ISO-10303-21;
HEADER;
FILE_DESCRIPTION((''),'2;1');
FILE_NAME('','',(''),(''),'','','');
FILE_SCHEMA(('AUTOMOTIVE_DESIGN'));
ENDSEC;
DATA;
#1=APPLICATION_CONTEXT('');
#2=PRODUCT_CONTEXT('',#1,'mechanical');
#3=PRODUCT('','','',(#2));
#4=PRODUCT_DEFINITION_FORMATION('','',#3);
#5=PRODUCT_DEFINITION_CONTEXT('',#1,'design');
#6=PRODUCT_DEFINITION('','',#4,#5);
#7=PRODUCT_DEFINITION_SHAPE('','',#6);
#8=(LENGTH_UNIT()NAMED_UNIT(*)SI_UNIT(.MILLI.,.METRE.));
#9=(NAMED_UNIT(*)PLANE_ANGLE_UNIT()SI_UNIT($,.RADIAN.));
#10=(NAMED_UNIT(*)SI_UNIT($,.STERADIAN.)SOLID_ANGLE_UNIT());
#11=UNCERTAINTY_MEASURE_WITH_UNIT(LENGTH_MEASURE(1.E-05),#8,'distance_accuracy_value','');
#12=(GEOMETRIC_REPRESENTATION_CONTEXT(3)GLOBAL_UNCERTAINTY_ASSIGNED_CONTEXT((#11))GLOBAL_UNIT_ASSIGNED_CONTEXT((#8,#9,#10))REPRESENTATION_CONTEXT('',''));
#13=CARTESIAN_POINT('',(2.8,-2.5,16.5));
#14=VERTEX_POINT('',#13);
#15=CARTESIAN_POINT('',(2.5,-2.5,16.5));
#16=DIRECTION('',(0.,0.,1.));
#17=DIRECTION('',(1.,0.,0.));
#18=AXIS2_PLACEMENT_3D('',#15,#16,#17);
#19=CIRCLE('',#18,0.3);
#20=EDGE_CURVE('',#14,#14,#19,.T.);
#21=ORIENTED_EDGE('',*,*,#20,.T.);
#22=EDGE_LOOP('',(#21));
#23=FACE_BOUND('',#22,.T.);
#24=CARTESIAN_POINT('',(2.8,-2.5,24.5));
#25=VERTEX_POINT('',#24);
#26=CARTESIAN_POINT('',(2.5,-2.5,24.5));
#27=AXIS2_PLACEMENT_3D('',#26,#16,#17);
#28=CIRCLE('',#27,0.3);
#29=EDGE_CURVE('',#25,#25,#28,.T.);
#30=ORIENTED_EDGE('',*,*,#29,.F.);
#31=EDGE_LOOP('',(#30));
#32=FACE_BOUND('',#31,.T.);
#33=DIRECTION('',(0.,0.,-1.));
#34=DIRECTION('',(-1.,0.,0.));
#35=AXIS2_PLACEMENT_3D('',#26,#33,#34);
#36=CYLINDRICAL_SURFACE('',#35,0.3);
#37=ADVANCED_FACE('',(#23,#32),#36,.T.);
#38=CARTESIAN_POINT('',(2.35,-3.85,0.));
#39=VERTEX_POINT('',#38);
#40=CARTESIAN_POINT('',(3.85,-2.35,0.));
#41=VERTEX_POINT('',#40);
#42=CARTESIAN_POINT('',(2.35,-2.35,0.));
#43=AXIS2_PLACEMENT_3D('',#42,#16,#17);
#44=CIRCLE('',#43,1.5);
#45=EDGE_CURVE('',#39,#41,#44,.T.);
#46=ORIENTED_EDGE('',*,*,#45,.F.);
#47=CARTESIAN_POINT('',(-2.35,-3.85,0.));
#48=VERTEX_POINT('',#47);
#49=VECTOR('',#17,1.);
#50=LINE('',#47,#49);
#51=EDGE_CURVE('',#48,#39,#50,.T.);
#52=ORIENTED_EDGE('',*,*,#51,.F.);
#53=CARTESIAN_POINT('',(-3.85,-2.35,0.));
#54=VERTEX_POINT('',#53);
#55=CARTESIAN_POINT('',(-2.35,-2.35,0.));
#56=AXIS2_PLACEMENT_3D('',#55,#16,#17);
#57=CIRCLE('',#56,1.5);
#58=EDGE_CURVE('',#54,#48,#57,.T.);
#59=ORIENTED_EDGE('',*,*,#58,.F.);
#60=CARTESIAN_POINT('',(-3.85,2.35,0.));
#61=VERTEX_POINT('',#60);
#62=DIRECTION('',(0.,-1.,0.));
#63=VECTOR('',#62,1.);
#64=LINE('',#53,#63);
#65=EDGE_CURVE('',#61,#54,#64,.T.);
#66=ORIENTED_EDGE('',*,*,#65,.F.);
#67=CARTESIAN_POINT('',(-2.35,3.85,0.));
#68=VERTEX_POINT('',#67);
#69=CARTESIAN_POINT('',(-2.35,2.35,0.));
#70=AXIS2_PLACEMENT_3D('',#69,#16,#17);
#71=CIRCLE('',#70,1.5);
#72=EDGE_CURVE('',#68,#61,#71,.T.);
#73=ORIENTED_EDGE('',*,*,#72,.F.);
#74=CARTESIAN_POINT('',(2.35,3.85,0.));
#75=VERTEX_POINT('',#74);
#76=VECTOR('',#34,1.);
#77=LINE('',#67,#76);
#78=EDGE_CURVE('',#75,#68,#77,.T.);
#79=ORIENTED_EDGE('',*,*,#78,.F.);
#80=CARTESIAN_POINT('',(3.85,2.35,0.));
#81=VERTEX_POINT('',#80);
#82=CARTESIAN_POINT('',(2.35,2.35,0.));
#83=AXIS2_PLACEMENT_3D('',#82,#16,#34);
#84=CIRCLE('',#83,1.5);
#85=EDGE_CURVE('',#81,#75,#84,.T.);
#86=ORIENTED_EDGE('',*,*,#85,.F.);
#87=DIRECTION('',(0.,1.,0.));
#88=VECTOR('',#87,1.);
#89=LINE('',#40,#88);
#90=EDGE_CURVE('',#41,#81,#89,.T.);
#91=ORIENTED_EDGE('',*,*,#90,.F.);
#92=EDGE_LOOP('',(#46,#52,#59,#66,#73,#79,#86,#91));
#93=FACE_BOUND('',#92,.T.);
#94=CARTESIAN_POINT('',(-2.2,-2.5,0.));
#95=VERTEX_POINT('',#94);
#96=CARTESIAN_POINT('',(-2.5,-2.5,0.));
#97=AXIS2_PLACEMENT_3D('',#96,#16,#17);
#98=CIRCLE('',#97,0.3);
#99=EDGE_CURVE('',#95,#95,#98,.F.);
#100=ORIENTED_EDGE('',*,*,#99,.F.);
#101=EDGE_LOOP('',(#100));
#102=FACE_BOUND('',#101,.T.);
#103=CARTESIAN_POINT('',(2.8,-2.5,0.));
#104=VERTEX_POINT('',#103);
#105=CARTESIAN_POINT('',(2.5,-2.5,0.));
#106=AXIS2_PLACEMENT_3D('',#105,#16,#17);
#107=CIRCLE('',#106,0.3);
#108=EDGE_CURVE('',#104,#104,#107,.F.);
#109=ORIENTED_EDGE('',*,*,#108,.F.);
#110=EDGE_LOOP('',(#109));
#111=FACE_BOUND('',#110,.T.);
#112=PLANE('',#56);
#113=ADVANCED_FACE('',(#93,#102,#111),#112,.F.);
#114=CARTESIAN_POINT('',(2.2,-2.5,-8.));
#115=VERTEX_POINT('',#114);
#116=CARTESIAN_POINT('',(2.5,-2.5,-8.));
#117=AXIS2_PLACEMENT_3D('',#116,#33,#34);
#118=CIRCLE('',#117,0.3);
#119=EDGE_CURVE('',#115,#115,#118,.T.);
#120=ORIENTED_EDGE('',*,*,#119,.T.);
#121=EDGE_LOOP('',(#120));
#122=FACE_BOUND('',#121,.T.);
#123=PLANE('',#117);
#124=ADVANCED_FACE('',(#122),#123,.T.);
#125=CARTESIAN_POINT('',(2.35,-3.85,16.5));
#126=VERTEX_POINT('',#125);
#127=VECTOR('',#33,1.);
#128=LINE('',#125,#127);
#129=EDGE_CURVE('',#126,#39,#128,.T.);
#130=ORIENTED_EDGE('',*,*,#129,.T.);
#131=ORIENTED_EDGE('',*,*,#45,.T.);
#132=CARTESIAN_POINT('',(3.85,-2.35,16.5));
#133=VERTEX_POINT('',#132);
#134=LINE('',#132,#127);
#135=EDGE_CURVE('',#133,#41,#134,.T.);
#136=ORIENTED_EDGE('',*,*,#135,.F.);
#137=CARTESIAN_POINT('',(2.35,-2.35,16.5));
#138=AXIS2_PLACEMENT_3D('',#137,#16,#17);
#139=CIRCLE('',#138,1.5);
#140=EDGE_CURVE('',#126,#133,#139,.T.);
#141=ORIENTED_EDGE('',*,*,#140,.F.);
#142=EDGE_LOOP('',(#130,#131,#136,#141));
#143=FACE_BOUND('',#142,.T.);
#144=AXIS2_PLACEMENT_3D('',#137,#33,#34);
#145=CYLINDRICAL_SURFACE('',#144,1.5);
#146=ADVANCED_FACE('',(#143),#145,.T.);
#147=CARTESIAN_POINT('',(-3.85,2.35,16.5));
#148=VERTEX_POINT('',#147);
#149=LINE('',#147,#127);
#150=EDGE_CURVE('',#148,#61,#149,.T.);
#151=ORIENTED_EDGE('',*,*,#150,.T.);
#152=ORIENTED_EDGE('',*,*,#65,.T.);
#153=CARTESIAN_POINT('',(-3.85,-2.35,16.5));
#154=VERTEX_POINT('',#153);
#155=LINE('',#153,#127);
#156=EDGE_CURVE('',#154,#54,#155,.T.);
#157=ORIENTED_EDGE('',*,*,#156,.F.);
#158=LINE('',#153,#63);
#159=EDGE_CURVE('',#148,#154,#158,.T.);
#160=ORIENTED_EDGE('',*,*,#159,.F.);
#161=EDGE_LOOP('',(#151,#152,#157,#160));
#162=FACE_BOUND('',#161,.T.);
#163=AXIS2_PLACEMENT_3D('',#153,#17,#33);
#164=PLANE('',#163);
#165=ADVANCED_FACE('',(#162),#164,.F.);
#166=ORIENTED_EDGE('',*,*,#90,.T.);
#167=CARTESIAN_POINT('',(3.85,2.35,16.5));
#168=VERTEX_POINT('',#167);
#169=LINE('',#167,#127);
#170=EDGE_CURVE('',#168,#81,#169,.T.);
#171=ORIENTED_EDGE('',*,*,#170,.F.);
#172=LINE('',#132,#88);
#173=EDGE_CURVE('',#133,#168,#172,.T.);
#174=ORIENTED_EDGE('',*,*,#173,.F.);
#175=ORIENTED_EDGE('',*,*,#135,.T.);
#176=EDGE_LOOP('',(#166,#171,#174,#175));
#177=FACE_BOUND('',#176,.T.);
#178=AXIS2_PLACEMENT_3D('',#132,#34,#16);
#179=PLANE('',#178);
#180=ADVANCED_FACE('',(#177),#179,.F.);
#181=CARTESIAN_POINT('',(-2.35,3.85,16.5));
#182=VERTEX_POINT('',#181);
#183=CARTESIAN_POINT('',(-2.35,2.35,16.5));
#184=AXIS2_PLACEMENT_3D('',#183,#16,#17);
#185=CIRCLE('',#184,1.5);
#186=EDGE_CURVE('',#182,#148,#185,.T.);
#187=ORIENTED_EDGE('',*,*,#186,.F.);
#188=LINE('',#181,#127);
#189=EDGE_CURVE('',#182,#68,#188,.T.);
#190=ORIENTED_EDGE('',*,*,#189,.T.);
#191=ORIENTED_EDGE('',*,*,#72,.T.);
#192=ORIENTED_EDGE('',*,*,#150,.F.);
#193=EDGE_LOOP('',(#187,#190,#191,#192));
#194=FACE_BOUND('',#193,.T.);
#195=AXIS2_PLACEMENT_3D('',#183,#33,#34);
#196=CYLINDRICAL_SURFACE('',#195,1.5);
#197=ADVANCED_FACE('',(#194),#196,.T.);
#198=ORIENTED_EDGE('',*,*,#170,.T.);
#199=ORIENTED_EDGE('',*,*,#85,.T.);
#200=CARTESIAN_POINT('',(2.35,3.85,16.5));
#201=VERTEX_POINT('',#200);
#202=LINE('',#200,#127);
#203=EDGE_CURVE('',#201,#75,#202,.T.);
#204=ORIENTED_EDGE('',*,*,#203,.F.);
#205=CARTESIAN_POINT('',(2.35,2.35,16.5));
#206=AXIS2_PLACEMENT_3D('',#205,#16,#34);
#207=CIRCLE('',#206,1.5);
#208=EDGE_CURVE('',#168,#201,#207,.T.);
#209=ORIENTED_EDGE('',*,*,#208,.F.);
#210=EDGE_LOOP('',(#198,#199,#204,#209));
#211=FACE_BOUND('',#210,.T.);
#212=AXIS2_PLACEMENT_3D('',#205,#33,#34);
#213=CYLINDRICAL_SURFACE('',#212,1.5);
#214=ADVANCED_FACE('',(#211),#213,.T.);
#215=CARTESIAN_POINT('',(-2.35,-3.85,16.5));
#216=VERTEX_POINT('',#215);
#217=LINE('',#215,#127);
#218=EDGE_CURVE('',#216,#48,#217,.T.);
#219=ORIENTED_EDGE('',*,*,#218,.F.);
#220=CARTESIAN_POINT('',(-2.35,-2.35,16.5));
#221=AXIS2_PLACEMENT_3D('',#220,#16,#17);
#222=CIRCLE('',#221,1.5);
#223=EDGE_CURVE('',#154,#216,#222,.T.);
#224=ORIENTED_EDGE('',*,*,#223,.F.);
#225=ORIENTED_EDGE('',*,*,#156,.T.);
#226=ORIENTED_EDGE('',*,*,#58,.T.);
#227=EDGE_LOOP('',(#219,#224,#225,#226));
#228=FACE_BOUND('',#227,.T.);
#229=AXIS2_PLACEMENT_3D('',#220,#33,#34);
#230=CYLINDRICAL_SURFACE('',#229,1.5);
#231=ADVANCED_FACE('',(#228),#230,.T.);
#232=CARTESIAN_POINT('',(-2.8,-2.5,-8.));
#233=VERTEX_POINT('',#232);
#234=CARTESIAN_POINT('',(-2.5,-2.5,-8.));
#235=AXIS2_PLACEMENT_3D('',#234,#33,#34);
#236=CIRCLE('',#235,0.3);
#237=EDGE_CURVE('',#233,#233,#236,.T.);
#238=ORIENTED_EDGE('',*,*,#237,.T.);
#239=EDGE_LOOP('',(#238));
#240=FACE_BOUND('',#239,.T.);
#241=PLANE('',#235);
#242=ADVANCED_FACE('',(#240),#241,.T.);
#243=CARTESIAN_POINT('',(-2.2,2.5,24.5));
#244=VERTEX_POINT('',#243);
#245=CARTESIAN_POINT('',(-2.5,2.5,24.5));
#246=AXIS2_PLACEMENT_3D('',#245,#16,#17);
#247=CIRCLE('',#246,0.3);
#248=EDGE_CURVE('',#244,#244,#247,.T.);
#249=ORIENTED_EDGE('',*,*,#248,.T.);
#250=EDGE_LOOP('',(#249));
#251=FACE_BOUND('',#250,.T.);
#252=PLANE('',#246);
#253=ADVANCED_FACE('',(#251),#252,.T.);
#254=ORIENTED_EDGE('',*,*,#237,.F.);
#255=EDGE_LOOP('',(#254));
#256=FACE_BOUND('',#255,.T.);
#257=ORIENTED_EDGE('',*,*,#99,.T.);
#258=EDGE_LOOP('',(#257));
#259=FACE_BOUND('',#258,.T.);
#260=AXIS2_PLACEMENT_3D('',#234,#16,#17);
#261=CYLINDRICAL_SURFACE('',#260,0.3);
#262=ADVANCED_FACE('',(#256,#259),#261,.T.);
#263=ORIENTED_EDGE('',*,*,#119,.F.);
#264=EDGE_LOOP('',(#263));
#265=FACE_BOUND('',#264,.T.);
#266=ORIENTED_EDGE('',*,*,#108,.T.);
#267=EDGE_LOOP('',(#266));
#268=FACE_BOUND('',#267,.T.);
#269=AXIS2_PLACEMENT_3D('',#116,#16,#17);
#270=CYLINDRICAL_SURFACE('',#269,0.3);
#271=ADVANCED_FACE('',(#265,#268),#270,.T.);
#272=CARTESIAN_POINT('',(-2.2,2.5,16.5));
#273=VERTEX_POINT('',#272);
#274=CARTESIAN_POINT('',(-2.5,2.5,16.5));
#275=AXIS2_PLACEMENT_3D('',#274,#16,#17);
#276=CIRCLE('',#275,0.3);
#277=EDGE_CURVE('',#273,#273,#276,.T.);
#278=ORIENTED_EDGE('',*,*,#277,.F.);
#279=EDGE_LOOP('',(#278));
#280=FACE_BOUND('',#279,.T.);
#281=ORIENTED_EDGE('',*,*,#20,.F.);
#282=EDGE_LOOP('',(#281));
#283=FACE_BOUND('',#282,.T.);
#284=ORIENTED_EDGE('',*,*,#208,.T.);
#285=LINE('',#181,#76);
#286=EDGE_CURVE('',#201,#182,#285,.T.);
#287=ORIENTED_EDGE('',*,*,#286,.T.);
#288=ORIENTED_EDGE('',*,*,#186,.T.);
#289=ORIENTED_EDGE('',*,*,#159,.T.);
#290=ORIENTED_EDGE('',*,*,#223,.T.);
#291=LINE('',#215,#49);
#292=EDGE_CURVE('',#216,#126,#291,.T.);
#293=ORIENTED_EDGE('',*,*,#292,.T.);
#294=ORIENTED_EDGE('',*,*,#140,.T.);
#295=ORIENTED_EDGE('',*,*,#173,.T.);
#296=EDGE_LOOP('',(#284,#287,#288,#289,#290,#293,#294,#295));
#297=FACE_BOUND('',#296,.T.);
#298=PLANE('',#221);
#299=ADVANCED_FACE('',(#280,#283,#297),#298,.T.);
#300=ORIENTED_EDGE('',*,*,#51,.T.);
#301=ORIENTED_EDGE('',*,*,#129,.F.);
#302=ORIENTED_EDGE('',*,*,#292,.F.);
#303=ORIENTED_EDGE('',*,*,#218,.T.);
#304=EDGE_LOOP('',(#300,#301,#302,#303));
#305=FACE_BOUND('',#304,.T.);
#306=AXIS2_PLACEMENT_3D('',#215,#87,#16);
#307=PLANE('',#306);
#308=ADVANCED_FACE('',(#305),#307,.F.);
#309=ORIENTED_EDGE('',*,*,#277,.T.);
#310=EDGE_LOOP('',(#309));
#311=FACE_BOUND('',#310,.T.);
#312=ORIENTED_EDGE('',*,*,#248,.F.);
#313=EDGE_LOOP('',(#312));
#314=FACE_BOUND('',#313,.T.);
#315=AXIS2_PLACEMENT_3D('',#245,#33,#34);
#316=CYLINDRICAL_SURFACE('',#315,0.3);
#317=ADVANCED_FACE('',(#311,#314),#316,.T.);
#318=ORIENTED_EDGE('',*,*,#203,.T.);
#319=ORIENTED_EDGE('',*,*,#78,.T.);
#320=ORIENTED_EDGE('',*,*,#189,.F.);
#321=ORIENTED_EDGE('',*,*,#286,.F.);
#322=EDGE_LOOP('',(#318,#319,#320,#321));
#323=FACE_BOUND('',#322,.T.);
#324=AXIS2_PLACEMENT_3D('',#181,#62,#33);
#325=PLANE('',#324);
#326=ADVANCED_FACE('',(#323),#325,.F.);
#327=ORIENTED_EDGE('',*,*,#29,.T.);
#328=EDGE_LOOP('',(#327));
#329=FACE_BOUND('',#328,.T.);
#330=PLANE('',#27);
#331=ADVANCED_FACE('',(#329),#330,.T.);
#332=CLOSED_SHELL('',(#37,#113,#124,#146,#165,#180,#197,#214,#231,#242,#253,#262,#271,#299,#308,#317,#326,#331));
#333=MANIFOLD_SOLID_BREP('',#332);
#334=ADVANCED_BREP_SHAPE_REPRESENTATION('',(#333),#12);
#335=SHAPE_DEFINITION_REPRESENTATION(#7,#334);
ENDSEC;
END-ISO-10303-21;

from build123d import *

# Parameters (mm, degrees)
EXTRUDE_1_DEPTH = 16.5
SKETCH_2_R      = 0.3
EXTRUDE_2_DEPTH = 8
SKETCH_3_R      = 0.3
EXTRUDE_3_DEPTH = 8


with BuildPart() as part:
    # Эскиз1 → Бобышка-Вытянуть1 (new body)
    with BuildSketch(Plane.XY):
        with BuildLine():
            Line((-2.35, -3.85), (2.35, -3.85))
            ThreePointArc((2.35, -3.85), (3.410660172, -3.410660172), (3.85, -2.35))
            Line((3.85, -2.35), (3.85, 2.35))
            ThreePointArc((3.85, 2.35), (3.410660172, 3.410660172), (2.35, 3.85))
            Line((2.35, 3.85), (-2.35, 3.85))
            ThreePointArc((-2.35, 3.85), (-3.410660172, 3.410660172), (-3.85, 2.35))
            Line((-3.85, 2.35), (-3.85, -2.35))
            ThreePointArc((-3.85, -2.35), (-3.410660172, -3.410660172), (-2.35, -3.85))
        make_face()
    extrude(amount=EXTRUDE_1_DEPTH)

    # Эскиз2 → Бобышка-Вытянуть2 (add)
    with BuildSketch(Plane(origin=(0, 0, 0), x_dir=(-1, 0, 0), z_dir=(0, 0, -1))):
        with Locations((-2.5, -2.5)):
            Circle(SKETCH_2_R)
        with Locations((2.5, -2.5)):
            Circle(SKETCH_2_R)
    extrude(amount=EXTRUDE_2_DEPTH)

    # Эскиз3 → Бобышка-Вытянуть3 (add)
    with BuildSketch(Plane.XY.offset(16.5)):
        with Locations((2.5, -2.5)):
            Circle(SKETCH_3_R)
        with Locations((-2.5, 2.5)):
            Circle(SKETCH_3_R)
    extrude(amount=EXTRUDE_3_DEPTH)


solid = part.part
